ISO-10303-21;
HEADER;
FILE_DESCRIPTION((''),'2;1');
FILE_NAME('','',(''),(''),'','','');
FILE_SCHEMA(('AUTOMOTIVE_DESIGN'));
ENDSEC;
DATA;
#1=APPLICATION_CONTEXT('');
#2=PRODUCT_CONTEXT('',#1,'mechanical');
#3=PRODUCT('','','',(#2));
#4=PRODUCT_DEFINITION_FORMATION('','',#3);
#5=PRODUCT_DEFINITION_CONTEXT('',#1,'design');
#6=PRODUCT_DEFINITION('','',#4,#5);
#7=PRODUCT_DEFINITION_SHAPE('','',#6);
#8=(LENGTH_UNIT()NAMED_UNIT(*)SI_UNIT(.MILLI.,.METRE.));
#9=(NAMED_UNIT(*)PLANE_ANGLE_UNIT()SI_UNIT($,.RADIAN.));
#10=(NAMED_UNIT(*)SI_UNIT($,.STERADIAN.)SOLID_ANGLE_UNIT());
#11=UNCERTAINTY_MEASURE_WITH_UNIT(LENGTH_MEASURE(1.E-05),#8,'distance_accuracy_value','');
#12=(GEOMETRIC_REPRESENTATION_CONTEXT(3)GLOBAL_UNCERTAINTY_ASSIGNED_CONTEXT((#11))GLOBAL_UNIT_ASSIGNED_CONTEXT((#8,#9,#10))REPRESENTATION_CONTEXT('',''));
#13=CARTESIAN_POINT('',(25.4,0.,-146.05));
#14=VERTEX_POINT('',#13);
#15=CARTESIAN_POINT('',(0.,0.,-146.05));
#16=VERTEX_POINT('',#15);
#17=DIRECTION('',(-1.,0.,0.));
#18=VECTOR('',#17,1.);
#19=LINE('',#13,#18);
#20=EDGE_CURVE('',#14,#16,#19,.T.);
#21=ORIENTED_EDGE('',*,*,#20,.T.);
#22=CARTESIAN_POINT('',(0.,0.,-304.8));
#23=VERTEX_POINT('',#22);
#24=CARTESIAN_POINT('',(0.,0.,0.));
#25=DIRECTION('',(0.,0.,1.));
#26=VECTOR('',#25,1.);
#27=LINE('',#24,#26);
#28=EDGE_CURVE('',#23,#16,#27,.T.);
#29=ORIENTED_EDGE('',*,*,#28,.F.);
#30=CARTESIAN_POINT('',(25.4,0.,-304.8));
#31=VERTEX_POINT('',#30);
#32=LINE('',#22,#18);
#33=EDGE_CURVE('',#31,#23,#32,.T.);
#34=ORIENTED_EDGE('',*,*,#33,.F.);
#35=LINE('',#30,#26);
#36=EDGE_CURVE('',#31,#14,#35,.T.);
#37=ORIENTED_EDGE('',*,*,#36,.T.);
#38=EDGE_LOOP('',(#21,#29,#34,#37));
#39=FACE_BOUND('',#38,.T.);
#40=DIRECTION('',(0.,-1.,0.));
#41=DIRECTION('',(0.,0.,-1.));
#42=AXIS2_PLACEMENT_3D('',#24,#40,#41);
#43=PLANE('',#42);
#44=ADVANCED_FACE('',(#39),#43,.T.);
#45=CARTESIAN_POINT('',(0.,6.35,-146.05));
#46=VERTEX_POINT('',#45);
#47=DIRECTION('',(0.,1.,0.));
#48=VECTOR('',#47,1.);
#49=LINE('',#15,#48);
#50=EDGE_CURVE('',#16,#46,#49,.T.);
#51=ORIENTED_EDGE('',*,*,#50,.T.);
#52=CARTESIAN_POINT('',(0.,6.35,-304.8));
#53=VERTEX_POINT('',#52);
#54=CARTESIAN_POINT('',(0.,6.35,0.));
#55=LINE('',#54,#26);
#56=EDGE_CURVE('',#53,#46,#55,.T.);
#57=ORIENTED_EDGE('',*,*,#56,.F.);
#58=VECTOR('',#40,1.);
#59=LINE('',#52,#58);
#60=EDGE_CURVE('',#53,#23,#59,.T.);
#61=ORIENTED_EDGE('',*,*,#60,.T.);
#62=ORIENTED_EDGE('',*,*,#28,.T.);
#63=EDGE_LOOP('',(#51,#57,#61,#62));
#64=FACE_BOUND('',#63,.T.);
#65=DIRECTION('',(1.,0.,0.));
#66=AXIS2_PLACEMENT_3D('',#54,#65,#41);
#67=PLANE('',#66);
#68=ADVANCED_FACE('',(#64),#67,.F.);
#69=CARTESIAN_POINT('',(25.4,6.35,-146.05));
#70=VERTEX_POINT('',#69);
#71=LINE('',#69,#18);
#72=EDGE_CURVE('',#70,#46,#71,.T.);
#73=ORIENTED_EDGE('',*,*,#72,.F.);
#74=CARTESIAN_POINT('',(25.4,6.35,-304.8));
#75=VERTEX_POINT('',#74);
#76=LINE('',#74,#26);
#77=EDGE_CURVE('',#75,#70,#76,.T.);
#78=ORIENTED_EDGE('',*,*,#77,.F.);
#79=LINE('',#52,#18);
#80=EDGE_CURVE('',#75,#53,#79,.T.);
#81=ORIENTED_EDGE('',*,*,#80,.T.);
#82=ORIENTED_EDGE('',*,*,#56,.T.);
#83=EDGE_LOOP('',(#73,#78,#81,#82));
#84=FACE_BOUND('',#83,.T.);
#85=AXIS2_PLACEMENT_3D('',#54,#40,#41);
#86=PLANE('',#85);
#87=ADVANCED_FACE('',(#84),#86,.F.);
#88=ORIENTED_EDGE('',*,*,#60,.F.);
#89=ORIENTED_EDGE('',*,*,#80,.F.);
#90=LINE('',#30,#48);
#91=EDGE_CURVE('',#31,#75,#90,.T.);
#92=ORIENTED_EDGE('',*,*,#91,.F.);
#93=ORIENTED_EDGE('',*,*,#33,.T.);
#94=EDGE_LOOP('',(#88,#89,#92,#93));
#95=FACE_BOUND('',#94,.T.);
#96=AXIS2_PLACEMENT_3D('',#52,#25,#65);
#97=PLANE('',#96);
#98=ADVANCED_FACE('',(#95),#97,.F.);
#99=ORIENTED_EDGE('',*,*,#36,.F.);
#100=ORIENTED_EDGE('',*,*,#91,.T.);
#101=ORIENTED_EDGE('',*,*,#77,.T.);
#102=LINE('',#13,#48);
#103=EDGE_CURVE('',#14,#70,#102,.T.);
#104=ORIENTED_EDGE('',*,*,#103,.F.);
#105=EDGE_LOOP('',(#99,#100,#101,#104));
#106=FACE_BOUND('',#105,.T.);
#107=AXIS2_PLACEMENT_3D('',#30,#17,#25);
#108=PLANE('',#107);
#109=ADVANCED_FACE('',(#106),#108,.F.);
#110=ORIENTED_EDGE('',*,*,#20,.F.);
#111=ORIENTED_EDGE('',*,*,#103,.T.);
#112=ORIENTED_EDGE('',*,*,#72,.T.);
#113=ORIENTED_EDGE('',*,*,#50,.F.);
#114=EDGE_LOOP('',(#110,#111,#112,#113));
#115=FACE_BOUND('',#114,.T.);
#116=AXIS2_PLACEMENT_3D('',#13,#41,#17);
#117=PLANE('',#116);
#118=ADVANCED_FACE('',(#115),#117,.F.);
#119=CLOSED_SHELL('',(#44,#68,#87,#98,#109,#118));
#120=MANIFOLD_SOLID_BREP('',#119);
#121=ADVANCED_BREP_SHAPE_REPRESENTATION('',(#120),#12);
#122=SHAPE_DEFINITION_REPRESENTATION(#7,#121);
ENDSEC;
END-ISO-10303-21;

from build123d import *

# Parameters (mm, degrees)
SKETCH1_W           = 304.8
SKETCH1_H           = 304.8
BOSS_EXTRUDE1_DEPTH = 6.35
CUT_EXTRUDE2_DEPTH  = 6.35


with BuildPart() as part:
    # Sketch1 → Boss-Extrude1 (new body)
    with BuildSketch(Plane(origin=(0, 0, 0), x_dir=(1, 0, 0), z_dir=(0, 1, 0))):
        with Locations((152.4, 152.4)):
            Rectangle(SKETCH1_W, SKETCH1_H)
    extrude(amount=BOSS_EXTRUDE1_DEPTH)

    # Sketch2 → Cut-Extrude2 (cut)
    with BuildSketch(Plane(origin=(0, 6.35, 0), x_dir=(1, 0, 0), z_dir=(0, 1, 0))):
        Polygon((25.4, 304.8), (25.4, 146.05), (0, 146.05), (0, 0), (304.8, 0), (304.8, 304.8), align=None)
    extrude(amount=-CUT_EXTRUDE2_DEPTH, mode=Mode.SUBTRACT)


solid = part.part
